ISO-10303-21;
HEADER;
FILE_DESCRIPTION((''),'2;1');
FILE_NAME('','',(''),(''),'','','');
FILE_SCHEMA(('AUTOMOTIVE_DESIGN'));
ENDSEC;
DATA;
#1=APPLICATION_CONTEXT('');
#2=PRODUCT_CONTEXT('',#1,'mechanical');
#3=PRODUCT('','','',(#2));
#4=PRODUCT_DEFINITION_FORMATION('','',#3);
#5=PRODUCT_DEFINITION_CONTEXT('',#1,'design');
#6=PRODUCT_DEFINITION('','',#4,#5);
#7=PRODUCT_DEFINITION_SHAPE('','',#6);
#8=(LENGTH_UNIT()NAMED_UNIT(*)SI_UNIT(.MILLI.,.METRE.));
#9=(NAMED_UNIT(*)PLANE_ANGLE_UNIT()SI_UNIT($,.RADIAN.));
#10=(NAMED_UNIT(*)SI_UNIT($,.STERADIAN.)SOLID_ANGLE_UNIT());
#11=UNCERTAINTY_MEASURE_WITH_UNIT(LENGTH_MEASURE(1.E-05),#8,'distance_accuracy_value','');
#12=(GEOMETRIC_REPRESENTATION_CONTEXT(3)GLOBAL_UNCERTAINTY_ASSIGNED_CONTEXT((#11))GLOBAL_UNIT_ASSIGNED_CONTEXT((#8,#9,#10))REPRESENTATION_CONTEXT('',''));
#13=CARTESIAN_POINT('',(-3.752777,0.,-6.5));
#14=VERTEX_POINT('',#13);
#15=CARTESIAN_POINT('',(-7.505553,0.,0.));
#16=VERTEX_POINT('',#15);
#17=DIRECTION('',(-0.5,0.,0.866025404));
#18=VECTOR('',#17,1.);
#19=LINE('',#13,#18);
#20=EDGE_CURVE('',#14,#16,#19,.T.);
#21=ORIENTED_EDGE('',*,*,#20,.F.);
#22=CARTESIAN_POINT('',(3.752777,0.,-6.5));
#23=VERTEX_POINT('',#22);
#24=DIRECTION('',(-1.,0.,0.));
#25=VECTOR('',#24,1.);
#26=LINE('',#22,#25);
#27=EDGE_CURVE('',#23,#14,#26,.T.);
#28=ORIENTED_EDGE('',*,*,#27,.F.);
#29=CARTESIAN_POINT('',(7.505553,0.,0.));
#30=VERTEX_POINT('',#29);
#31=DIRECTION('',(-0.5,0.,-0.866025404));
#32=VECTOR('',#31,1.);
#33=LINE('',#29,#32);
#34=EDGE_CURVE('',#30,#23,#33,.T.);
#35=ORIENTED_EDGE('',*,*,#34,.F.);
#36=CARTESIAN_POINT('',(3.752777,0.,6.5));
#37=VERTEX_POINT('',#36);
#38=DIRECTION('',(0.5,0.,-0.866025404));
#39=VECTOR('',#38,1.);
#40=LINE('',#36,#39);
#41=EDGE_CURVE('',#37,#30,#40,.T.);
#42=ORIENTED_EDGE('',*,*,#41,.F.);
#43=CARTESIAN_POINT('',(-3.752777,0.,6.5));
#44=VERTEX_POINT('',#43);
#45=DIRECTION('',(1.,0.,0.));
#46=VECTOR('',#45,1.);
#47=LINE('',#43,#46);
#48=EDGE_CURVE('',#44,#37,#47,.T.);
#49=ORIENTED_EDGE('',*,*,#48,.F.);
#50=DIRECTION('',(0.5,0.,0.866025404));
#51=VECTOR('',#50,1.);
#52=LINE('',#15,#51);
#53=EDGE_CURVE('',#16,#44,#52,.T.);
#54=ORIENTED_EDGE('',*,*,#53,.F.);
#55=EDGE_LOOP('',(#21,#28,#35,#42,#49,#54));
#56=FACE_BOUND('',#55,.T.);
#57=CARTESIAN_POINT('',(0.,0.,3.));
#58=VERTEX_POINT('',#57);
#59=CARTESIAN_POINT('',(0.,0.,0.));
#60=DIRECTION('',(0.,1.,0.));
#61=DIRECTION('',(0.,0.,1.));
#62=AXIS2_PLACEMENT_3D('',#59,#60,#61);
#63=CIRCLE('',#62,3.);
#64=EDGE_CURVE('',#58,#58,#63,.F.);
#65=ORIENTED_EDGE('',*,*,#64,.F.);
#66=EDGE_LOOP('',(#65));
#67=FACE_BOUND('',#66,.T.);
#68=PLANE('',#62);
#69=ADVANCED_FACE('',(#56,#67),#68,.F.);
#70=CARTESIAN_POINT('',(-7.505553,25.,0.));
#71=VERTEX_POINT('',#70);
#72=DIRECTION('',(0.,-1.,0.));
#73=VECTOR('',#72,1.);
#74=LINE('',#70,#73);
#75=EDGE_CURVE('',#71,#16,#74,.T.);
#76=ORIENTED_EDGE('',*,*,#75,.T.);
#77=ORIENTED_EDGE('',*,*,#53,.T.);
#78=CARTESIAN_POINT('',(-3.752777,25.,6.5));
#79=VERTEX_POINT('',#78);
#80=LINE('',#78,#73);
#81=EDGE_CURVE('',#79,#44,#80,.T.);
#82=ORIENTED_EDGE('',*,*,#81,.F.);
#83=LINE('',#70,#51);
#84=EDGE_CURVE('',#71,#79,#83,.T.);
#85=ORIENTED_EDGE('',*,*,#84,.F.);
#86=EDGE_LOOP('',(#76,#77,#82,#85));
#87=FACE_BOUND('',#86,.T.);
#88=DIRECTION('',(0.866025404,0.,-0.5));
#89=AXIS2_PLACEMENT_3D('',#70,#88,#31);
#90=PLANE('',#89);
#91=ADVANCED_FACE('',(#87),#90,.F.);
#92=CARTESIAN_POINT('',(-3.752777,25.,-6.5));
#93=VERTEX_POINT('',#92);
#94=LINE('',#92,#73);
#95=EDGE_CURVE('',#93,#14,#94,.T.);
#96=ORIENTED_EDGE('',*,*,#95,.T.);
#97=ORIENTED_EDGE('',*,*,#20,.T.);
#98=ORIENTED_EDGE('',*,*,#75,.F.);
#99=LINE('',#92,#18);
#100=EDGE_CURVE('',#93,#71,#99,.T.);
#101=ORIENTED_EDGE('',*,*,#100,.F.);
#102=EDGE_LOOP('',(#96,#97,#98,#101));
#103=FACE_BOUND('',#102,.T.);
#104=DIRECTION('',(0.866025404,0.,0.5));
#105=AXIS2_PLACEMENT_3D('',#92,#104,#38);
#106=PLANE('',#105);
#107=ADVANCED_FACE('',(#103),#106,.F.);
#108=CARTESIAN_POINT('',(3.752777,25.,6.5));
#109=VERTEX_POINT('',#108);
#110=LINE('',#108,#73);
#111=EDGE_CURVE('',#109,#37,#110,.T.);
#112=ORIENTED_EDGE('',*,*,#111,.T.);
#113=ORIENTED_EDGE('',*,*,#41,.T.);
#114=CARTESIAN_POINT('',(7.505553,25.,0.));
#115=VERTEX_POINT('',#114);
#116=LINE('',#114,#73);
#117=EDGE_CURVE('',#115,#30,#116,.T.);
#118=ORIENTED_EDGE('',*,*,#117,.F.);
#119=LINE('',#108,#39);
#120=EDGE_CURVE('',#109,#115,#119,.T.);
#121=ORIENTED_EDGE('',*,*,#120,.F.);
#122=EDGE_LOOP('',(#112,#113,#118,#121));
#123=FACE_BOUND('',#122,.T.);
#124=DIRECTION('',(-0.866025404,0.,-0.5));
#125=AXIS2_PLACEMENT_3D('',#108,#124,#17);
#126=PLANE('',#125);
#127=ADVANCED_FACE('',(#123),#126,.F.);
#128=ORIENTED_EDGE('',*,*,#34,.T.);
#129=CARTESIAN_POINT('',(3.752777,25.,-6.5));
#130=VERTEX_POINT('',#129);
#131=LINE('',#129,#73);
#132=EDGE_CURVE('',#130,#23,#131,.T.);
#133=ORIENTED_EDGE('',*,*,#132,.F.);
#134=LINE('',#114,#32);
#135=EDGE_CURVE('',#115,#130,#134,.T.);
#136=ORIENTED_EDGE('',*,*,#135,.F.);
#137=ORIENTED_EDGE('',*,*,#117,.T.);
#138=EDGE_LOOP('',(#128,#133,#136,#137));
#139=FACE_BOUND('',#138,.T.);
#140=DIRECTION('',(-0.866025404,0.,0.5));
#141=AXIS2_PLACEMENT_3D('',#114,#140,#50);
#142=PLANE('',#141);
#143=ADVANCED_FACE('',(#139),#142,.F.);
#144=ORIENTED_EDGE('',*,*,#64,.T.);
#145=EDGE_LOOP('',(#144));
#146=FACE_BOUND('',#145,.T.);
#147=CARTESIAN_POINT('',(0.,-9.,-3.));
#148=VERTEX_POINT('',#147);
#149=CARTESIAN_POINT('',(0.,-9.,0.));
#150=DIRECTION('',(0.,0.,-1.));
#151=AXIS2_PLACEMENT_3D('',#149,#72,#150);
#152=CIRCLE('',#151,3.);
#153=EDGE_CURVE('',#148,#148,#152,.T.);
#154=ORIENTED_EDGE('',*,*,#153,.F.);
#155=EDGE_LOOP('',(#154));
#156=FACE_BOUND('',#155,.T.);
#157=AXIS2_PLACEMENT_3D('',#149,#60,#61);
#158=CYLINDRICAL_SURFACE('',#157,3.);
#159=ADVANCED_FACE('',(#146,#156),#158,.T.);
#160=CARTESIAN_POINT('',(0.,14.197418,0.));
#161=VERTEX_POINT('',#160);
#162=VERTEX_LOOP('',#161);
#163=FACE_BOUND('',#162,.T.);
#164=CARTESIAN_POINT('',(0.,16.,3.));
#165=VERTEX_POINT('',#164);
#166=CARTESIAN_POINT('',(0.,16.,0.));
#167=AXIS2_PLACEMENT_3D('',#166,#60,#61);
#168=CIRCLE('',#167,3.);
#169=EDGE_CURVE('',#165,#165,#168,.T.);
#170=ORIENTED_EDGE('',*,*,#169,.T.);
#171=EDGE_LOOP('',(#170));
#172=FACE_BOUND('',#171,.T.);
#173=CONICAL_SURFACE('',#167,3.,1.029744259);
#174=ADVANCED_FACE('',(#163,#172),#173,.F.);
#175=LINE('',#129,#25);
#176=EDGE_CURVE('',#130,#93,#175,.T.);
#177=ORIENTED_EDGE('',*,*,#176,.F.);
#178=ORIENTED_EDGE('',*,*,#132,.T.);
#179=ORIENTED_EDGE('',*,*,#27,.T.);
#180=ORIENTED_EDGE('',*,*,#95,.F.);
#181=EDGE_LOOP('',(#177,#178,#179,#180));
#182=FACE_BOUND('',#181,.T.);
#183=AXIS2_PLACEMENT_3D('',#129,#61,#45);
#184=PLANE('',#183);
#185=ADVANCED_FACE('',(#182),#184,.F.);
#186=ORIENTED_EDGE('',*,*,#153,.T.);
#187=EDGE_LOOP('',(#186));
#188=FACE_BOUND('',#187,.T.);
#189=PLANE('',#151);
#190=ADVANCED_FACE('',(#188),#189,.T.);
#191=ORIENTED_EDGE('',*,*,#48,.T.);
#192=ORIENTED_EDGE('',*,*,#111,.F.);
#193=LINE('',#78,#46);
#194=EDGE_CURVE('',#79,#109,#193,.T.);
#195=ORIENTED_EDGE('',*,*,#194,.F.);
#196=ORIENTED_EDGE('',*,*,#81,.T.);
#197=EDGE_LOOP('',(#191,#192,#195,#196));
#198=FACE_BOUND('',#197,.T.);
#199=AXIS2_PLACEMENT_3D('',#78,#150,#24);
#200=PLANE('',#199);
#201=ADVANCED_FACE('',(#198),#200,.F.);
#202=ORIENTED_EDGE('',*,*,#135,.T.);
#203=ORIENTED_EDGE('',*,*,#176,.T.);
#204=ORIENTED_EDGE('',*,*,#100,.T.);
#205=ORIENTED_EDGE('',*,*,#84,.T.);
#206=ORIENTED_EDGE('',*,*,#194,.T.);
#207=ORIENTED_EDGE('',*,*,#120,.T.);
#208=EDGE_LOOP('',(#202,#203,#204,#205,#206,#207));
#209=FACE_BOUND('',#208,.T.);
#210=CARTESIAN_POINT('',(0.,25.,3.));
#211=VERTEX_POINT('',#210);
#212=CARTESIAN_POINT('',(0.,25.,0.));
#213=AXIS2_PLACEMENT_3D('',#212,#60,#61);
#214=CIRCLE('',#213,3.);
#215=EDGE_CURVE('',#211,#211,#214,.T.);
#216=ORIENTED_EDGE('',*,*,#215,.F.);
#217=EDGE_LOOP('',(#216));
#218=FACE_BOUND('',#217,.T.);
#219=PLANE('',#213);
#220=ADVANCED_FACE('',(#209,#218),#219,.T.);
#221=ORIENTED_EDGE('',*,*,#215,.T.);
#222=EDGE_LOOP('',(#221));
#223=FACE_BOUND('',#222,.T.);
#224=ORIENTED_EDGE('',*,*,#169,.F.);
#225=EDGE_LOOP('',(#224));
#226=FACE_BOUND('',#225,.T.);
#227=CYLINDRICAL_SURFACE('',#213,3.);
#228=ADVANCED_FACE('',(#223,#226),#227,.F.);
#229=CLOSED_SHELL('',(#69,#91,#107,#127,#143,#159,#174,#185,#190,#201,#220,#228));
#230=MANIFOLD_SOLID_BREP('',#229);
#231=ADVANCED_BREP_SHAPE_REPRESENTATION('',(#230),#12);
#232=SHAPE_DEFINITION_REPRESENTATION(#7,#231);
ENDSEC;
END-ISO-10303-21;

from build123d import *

# Parameters (mm, degrees)
BOSS_EXTRUDE1_DEPTH       = 25
SKETCH2_R                 = 3
BOSS_EXTRUDE2_DEPTH       = 9
F_6_0MM_DOWEL_HOLE1_D     = 6
F_6_0MM_DOWEL_HOLE1_DEPTH = 9
F_6_0MM_DOWEL_HOLE1_TIP   = 1.802581857


with BuildPart() as part:
    # Sketch1 → Boss-Extrude1 (new body)
    with BuildSketch(Plane(origin=(0, 0, 0), x_dir=(1, 0, 0), z_dir=(0, 1, 0))):
        Polygon((7.505553499, 0), (3.75277675, 6.5), (-3.75277675, 6.5), (-7.505553499, 0), (-3.75277675, -6.5), (3.75277675, -6.5), align=None)
    extrude(amount=BOSS_EXTRUDE1_DEPTH)

    # Sketch2 → Boss-Extrude2 (add)
    with BuildSketch(Plane.XZ):
        with Locations(Location((0, 0, 0), (0, 0, 90))):
            Circle(SKETCH2_R)
    extrude(amount=BOSS_EXTRUDE2_DEPTH)

    # Ø6.0mm Dowel Hole1
    with Locations(Plane(origin=(0, 25, 0), x_dir=(1, 0, 0), z_dir=(0, 1, 0))):
        with Locations((0, 0)):
            Hole(F_6_0MM_DOWEL_HOLE1_D / 2, depth=F_6_0MM_DOWEL_HOLE1_DEPTH)
            with Locations((0, 0, -(F_6_0MM_DOWEL_HOLE1_DEPTH + F_6_0MM_DOWEL_HOLE1_TIP / 2))):  # 118° drill point
                Cone(0, F_6_0MM_DOWEL_HOLE1_D / 2, F_6_0MM_DOWEL_HOLE1_TIP, mode=Mode.SUBTRACT)


solid = part.part
